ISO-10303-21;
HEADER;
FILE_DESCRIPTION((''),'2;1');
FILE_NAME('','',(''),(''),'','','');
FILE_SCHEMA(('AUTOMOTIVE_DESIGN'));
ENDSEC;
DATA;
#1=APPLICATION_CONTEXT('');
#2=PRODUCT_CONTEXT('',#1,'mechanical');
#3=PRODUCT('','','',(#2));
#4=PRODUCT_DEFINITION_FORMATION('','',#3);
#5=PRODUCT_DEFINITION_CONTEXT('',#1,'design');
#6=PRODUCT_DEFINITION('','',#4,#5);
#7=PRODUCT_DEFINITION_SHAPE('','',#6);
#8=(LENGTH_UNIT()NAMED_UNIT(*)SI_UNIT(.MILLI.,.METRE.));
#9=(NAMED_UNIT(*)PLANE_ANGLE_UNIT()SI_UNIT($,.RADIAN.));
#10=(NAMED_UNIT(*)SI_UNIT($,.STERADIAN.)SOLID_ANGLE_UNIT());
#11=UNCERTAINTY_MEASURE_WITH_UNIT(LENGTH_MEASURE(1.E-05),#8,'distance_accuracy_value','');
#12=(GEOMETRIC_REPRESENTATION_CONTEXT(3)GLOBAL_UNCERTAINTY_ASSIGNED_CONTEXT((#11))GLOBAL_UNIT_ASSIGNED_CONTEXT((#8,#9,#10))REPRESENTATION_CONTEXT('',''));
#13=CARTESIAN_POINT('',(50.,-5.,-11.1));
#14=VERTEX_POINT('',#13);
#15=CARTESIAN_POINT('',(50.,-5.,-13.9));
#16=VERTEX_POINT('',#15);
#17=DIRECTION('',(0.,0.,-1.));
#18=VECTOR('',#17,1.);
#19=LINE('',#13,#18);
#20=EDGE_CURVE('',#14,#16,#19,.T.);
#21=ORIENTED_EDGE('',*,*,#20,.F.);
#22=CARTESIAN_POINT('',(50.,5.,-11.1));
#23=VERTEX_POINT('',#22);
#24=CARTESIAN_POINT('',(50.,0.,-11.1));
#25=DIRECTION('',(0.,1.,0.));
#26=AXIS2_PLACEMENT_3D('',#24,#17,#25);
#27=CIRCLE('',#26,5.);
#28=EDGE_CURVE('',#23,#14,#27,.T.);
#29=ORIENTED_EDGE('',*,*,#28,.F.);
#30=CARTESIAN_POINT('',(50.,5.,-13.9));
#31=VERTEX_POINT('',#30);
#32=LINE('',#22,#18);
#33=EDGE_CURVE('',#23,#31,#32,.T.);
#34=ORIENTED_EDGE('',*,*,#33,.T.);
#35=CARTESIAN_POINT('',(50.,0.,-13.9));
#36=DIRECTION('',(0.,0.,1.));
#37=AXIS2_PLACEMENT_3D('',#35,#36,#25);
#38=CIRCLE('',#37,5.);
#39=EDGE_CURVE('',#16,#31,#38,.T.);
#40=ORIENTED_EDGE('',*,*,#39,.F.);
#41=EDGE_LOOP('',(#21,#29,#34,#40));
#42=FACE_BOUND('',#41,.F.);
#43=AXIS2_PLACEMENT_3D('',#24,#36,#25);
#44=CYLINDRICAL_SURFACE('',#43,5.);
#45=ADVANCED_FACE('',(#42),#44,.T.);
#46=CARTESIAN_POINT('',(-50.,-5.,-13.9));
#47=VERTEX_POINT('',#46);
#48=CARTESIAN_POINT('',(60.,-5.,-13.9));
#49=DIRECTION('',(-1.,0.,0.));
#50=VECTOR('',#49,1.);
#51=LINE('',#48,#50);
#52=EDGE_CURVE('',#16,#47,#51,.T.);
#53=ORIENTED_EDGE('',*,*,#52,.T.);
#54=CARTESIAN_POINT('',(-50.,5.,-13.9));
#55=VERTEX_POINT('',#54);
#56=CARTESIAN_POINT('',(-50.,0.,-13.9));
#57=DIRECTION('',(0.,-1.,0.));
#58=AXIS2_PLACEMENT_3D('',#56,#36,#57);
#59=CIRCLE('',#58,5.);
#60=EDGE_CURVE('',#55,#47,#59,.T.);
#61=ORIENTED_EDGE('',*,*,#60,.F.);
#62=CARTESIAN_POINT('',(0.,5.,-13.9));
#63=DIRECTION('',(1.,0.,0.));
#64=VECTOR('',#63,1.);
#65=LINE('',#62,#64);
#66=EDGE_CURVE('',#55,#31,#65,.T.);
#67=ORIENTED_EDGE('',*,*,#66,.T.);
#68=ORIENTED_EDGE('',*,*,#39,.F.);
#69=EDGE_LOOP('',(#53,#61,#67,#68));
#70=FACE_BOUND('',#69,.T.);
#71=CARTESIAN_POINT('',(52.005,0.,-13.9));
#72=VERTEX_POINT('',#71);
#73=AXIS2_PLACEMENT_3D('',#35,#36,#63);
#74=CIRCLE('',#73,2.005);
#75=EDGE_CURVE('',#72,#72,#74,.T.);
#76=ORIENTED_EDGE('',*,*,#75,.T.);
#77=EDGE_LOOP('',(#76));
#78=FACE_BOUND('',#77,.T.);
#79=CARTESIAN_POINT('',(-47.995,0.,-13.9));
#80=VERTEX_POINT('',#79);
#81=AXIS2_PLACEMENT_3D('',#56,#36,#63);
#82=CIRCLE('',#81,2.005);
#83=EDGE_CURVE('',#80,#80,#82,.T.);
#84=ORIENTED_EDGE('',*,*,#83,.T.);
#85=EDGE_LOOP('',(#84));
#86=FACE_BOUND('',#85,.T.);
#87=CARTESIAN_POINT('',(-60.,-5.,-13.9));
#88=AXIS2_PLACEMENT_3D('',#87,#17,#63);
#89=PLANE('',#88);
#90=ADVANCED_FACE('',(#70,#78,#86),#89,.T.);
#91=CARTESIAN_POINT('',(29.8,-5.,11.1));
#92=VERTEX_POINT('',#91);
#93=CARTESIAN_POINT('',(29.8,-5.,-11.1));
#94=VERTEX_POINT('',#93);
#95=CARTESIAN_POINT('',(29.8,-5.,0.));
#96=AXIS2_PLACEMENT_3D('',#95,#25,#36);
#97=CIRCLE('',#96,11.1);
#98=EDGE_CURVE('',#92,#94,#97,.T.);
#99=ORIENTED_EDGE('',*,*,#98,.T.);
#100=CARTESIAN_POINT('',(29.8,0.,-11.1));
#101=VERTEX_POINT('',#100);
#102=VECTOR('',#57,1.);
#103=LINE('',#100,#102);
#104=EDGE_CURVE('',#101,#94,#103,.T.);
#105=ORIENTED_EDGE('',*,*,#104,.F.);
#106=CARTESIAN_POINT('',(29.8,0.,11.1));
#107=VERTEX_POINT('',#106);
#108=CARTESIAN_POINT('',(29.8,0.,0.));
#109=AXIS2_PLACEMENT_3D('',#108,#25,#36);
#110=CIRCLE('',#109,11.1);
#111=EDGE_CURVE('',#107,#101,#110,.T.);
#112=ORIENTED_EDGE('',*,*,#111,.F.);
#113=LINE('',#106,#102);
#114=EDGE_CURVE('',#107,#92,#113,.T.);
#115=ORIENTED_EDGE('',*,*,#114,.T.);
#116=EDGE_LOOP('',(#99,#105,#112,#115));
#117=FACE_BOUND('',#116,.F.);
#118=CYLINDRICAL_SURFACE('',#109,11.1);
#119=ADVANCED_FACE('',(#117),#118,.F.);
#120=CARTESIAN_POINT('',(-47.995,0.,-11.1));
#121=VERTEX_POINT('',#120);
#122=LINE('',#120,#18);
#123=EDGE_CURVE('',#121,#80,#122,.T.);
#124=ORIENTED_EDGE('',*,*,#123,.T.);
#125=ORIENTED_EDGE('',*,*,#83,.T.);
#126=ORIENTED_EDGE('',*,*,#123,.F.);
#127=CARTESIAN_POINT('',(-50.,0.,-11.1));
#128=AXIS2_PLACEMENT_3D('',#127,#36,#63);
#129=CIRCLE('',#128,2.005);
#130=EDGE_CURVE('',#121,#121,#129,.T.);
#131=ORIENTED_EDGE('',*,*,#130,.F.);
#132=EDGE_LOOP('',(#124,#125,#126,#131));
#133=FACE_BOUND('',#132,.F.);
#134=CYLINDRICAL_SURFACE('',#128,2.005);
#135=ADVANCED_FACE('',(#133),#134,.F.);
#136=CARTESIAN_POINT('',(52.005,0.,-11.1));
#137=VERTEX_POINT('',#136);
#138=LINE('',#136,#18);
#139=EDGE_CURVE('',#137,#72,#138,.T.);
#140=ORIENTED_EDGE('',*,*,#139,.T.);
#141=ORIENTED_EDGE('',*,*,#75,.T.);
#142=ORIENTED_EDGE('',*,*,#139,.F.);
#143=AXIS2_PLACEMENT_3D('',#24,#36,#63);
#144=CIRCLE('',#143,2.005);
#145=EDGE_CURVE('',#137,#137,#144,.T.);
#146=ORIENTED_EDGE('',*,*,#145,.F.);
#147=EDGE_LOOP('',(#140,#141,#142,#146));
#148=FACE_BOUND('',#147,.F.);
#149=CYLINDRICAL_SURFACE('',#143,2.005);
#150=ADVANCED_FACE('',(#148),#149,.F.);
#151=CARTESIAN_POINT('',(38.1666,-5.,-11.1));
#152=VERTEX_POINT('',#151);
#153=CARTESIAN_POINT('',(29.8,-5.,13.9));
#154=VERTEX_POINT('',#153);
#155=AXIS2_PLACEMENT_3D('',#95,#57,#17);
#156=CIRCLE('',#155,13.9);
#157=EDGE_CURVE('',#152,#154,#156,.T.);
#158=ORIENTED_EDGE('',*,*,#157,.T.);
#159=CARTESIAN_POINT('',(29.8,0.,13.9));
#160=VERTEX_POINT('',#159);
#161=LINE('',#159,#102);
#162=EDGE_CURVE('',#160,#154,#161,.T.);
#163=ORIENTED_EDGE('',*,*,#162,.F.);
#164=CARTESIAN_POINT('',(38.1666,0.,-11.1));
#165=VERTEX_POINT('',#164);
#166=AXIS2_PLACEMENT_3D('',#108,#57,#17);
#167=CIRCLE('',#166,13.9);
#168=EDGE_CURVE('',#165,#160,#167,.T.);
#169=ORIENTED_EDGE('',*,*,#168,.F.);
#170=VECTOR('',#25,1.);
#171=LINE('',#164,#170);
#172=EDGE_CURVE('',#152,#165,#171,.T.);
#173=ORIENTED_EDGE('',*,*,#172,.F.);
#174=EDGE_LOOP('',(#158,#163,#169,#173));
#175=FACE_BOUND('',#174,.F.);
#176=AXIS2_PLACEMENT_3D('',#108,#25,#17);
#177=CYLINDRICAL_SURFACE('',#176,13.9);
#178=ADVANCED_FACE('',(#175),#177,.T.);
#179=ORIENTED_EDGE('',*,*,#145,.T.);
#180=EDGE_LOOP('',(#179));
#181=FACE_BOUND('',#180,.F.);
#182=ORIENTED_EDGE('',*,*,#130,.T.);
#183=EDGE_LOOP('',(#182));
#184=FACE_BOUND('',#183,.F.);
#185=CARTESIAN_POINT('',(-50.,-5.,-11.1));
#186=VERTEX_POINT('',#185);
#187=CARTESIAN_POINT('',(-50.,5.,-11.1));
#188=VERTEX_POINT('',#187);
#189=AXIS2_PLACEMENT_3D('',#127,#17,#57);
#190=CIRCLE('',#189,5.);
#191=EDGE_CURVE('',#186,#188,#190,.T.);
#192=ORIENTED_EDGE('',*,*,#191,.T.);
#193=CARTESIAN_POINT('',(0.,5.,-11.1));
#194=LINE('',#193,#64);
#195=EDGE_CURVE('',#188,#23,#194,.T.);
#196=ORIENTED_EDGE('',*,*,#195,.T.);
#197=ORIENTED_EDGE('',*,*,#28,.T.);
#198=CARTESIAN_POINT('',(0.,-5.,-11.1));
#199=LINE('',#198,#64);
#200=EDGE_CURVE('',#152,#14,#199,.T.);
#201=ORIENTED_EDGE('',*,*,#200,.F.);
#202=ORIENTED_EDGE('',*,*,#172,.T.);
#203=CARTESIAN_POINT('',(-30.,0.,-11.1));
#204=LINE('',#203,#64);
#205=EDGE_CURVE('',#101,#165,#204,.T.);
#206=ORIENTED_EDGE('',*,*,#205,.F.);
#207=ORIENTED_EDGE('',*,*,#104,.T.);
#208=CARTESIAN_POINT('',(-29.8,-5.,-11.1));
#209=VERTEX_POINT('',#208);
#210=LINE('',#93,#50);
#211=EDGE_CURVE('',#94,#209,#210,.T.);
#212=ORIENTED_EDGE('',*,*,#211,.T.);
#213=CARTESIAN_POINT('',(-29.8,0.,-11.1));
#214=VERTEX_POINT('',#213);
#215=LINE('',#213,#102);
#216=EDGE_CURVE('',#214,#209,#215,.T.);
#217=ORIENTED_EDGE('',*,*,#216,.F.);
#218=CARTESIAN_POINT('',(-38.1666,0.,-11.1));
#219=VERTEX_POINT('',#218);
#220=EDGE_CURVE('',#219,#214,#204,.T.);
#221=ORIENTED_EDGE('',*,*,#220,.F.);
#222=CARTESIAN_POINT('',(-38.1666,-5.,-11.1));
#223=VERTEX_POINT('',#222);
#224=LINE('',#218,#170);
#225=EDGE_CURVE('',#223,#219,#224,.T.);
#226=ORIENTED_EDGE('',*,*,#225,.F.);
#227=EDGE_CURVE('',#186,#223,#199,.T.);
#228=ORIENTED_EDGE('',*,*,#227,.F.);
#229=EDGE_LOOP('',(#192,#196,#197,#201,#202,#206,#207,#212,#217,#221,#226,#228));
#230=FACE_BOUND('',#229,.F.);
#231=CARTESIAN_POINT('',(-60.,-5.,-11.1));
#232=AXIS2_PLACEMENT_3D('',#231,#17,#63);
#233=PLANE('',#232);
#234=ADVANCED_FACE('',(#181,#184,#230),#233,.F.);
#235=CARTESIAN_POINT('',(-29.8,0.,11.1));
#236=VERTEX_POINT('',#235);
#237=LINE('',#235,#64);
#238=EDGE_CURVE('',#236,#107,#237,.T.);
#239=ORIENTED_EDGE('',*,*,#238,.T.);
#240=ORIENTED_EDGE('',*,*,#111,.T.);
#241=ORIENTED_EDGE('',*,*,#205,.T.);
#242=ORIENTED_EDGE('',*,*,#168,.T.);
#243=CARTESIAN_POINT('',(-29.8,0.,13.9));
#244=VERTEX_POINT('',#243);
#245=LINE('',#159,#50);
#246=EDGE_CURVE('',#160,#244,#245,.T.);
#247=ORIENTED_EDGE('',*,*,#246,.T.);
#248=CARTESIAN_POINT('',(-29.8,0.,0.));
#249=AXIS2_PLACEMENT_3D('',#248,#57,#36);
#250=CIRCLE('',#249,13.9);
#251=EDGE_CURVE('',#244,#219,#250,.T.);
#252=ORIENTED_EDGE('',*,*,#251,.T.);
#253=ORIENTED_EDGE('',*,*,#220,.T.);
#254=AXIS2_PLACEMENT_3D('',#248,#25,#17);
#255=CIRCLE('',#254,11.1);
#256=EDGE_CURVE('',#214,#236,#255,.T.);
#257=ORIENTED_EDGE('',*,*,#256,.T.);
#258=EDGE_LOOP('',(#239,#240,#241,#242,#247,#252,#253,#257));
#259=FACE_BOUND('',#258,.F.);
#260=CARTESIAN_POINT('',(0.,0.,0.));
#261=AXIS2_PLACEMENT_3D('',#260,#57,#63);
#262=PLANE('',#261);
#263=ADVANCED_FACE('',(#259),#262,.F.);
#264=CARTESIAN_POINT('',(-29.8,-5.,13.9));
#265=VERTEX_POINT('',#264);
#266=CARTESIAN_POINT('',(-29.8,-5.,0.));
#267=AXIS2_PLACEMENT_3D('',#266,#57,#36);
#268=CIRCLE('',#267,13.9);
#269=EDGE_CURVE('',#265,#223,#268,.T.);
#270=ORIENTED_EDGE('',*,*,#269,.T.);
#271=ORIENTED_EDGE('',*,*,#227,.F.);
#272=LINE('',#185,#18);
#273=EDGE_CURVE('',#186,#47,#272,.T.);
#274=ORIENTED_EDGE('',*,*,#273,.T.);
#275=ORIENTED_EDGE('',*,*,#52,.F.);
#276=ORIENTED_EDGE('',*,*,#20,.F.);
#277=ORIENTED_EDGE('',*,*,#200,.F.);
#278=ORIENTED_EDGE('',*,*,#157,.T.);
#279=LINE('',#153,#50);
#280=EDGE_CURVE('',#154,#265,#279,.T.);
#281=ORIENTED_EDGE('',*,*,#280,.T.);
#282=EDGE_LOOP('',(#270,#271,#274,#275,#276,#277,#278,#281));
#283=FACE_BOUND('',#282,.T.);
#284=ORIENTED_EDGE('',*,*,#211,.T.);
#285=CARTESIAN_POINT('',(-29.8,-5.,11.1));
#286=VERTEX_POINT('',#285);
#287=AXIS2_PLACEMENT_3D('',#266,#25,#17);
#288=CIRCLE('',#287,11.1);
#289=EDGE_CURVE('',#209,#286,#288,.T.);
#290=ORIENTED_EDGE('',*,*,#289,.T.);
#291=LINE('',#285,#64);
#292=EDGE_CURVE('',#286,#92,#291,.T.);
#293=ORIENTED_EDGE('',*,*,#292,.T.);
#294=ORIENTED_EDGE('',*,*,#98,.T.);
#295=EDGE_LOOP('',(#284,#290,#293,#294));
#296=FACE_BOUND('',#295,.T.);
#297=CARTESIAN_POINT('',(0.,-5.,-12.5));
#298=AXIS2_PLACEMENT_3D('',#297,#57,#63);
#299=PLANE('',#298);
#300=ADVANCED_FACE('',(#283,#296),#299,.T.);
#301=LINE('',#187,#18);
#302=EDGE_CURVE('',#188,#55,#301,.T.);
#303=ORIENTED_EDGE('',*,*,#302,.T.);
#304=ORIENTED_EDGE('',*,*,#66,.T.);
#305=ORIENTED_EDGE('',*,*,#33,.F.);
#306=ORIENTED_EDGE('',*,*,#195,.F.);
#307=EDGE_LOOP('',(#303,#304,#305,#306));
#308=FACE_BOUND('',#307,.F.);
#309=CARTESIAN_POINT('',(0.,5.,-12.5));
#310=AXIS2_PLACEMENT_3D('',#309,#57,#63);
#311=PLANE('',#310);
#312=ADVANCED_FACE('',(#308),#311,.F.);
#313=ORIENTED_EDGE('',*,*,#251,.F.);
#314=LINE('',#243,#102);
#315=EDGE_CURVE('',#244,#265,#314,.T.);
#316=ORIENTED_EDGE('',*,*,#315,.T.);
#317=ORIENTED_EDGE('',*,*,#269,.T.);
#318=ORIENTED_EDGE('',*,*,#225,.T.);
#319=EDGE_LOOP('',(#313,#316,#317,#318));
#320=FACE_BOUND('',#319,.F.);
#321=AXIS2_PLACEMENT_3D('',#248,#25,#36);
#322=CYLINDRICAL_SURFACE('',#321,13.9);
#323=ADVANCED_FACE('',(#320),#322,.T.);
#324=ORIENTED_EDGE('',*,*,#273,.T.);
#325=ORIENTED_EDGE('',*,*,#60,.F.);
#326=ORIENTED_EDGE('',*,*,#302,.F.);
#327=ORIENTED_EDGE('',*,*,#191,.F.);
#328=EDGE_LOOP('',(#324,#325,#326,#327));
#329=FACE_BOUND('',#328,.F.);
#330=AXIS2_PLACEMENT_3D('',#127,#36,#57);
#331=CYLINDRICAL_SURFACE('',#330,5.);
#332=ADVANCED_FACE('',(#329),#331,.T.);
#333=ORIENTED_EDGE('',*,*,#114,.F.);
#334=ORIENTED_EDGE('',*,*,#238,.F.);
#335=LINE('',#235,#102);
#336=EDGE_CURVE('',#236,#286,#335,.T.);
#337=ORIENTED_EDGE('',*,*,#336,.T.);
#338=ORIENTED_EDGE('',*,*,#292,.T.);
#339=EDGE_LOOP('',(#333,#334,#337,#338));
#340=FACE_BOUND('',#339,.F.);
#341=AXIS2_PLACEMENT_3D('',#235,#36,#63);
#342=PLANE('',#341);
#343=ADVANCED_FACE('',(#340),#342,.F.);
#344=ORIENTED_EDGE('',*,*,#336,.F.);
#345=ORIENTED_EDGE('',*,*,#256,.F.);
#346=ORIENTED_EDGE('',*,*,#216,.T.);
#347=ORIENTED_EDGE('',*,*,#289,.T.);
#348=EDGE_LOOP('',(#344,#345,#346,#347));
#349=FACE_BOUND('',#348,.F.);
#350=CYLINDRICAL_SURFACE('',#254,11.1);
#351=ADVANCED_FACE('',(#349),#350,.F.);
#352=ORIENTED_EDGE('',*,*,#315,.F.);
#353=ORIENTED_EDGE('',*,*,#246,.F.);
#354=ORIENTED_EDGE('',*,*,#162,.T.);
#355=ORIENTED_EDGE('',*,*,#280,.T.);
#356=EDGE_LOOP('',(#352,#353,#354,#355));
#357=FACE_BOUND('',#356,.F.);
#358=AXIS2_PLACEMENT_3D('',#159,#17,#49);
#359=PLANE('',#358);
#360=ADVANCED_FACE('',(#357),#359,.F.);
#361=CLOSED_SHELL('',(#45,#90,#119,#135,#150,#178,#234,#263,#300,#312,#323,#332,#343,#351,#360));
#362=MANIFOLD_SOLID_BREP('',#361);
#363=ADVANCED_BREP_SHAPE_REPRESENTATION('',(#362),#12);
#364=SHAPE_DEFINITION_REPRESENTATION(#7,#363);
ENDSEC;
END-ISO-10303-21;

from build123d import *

# Parameters (mm, degrees)
F1_DEPTH = 5
F2_W     = 120
F2_H     = 2.8
F3_DEPTH = 10
F4_R     = 2.005
F5_DEPTH = 2.801
F7_DEPTH = 2.801


with BuildPart() as f1:
    # F0 (on Front) → F1 (new body)
    with BuildSketch(Plane.XZ):
        with BuildLine():
            Line((-29.8, -13.9), (29.8, -13.9))
            ThreePointArc((29.8, -13.9), (43.7, 0), (29.8, 13.9))
            Line((29.8, 13.9), (-29.8, 13.9))
            ThreePointArc((-29.8, 13.9), (-43.7, 0), (-29.8, -13.9))
        make_face()
        with BuildLine():
            ThreePointArc((29.8, 11.1), (40.9, 0), (29.8, -11.1))
            Line((29.8, -11.1), (-29.8, -11.1))
            ThreePointArc((-29.8, -11.1), (-40.9, 0), (-29.8, 11.1))
            Line((-29.8, 11.1), (29.8, 11.1))
        make_face(mode=Mode.SUBTRACT)
    extrude(amount=F1_DEPTH)

    # F2 (on face) → F3 (join)
    with BuildSketch(Plane.XZ.offset(5)):
        with Locations((0, -12.5)):
            Rectangle(F2_W, F2_H)
    extrude(amount=-F3_DEPTH)

    # F4 (on face) → F5 (cut, through all)
    with BuildSketch(Plane.XY.offset(-11.1)):
        with Locations((50, 0)):
            Circle(F4_R)
        with Locations((-50, 0)):
            Circle(F4_R)
    extrude(amount=-F5_DEPTH, mode=Mode.SUBTRACT)

    # F6 (on face) → F7 (cut, through all)
    with BuildSketch(Plane.XY.offset(-11.1)):
        with BuildLine():
            ThreePointArc((-50, -5), (-55, 0), (-50, 5))
            Line((-50, 5), (-60, 5))
            Line((-60, 5), (-60, -5))
            Line((-60, -5), (-50, -5))
        make_face()
        with BuildLine():
            Line((60, 5), (50, 5))
            ThreePointArc((50, 5), (55, 0), (50, -5))
            Line((50, -5), (60, -5))
            Line((60, -5), (60, 5))
        make_face()
    extrude(amount=-F7_DEPTH, mode=Mode.SUBTRACT)


solid = f1.part
